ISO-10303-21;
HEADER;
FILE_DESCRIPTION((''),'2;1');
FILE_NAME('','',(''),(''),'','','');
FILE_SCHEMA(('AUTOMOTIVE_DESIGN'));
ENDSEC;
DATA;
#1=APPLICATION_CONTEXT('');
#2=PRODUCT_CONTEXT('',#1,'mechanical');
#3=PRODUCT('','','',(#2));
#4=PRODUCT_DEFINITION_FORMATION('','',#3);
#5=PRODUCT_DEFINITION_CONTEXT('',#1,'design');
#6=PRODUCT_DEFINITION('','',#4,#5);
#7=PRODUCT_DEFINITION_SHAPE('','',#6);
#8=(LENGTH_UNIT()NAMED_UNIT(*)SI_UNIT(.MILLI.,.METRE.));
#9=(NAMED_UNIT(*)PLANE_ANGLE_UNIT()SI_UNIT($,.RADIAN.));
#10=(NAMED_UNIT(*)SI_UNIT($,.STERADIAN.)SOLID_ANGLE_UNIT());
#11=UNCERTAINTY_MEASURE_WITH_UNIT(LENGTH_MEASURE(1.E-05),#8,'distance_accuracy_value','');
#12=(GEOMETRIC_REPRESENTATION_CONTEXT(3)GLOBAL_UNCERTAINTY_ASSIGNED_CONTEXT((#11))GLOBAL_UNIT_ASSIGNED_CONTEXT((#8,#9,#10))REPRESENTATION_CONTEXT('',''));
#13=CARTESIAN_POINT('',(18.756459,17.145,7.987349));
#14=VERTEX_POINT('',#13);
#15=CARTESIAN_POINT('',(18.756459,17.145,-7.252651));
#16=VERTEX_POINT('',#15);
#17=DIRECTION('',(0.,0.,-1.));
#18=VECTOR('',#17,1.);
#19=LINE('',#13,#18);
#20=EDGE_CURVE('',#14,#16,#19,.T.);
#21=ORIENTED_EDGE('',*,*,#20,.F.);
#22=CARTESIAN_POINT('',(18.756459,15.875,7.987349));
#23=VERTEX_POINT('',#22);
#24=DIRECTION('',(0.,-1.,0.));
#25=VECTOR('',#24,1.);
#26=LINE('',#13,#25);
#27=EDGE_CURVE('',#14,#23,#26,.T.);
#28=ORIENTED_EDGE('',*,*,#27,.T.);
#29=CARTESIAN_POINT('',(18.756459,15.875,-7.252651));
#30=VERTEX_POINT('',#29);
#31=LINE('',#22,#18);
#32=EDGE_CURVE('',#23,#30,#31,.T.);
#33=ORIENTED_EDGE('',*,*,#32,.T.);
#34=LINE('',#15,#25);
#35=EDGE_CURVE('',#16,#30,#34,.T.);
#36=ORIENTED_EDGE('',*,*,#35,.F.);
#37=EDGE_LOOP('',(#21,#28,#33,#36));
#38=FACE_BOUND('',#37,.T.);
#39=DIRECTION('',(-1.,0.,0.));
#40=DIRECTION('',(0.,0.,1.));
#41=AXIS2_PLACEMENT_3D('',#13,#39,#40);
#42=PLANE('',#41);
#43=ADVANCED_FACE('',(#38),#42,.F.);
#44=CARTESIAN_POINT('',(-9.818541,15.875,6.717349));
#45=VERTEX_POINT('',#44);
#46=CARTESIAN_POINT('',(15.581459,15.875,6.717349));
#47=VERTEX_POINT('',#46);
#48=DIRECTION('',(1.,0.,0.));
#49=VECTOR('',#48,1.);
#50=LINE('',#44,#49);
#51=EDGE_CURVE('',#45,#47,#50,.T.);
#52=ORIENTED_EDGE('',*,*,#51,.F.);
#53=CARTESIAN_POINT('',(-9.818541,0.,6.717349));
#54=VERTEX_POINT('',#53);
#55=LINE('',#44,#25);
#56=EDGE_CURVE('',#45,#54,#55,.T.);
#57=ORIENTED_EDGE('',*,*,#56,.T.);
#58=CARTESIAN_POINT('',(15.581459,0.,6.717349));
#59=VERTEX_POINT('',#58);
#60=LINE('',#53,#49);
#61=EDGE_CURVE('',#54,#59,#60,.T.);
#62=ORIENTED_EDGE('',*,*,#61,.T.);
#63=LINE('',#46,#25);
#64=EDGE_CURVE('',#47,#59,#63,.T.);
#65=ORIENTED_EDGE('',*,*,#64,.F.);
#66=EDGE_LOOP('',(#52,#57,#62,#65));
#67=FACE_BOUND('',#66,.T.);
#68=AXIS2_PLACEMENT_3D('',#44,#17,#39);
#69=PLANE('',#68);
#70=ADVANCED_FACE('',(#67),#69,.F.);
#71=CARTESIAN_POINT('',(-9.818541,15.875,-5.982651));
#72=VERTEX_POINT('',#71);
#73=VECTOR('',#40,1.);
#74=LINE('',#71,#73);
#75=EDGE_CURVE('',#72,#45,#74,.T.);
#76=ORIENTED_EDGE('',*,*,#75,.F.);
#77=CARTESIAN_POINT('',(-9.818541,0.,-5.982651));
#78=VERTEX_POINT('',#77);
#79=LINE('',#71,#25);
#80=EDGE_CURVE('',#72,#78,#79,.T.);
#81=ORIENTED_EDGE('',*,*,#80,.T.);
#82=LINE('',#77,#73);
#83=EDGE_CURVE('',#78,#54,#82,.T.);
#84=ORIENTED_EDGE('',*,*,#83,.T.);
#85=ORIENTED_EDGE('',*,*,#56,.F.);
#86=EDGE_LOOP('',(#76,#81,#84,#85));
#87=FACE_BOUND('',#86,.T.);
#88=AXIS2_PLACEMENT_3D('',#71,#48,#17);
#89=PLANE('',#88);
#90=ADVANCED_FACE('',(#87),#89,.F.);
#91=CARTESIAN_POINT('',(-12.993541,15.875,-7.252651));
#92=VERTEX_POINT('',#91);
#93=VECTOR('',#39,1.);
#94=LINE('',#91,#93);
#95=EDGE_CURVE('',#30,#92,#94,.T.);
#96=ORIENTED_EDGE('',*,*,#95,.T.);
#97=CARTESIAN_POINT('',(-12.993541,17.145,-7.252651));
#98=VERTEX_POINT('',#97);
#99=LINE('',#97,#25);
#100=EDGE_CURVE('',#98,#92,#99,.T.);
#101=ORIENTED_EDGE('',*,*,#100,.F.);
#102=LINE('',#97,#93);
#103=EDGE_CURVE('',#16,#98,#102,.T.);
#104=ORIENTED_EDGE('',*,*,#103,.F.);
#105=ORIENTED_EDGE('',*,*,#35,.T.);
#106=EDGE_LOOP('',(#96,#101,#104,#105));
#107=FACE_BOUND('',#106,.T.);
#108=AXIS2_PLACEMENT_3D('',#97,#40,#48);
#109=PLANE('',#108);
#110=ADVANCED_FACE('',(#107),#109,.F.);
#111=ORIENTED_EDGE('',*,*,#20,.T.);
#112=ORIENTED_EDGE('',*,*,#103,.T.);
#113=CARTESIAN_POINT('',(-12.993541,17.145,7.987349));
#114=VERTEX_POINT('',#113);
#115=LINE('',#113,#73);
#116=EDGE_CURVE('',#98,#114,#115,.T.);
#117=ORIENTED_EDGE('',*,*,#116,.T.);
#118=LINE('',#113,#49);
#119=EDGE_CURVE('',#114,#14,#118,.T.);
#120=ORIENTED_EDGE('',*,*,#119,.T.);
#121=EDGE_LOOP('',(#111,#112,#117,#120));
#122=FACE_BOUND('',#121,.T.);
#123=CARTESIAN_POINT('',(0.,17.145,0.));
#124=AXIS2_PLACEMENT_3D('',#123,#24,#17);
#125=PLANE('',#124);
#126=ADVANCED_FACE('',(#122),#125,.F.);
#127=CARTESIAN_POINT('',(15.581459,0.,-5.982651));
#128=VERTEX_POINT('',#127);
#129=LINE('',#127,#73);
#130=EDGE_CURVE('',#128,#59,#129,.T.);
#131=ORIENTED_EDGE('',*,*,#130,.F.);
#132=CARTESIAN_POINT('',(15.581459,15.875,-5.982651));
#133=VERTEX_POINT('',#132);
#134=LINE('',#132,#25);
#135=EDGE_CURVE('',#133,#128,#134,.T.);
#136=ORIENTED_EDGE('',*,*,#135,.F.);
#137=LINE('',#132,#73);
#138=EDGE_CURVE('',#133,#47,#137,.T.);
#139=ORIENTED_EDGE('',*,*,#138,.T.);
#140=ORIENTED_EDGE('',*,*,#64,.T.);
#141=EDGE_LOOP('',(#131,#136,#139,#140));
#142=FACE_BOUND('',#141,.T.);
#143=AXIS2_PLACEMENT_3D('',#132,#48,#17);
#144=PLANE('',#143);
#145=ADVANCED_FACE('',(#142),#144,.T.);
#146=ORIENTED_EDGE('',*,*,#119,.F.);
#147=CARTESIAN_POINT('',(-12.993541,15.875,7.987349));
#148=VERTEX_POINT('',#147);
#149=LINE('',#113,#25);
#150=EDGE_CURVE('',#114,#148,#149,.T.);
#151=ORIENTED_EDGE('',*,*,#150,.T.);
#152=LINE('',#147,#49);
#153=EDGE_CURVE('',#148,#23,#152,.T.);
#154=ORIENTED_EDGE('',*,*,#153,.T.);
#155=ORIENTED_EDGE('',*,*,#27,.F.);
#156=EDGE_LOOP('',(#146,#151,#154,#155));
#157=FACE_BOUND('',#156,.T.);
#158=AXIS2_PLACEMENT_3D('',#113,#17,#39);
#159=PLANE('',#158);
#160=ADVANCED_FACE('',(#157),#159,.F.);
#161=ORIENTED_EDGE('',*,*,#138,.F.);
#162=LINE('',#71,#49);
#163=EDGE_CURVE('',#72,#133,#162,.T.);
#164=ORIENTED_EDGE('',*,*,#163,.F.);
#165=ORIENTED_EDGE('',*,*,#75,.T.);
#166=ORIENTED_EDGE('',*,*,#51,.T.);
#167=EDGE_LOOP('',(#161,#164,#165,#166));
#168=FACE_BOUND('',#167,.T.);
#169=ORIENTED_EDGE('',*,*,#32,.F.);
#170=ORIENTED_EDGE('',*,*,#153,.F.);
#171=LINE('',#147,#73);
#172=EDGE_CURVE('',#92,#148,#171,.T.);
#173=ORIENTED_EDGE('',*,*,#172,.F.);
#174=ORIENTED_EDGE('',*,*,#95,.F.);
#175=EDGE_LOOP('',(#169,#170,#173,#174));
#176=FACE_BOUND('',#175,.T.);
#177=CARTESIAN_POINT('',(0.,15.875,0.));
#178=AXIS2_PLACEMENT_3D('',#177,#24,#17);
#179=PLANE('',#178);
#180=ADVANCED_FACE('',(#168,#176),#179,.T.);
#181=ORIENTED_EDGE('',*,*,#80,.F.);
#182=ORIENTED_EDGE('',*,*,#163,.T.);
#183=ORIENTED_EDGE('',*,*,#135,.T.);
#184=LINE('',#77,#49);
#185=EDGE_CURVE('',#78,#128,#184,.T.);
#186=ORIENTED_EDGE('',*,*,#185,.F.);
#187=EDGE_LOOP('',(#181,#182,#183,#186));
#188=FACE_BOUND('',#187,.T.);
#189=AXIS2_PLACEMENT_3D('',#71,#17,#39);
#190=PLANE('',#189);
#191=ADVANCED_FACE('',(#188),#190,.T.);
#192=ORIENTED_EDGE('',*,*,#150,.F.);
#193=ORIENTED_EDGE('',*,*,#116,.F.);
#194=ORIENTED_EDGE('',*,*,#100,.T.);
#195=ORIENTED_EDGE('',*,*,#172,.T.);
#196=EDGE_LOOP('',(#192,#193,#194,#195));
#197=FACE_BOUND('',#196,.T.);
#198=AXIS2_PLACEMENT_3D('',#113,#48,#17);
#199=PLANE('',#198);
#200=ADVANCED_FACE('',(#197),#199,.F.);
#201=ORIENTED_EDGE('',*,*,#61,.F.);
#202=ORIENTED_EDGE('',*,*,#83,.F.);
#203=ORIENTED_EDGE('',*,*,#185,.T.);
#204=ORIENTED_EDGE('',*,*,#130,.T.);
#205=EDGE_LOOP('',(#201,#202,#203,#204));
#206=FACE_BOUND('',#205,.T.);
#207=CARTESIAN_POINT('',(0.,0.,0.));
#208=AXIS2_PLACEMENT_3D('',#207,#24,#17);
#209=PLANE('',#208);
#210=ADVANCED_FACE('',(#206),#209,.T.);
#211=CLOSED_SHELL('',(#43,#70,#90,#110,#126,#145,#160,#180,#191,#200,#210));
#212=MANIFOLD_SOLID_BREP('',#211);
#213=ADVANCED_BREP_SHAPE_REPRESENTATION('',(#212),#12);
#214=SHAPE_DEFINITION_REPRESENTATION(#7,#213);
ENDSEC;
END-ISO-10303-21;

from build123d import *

# Parameters (mm, degrees)
SKETCH1_W           = 25.4
SKETCH1_H           = 12.7
BOSS_EXTRUDE1_DEPTH = 15.875
SKETCH2_W           = 31.75
SKETCH2_H           = 15.24
BOSS_EXTRUDE2_DEPTH = 1.27


with BuildPart() as part:
    # Sketch1 → Boss-Extrude1 (new body)
    with BuildSketch(Plane(origin=(0, 0, 0), x_dir=(1, 0, 0), z_dir=(0, 1, 0))):
        with Locations((2.881458665, -0.367349399)):
            Rectangle(SKETCH1_W, SKETCH1_H)
    extrude(amount=BOSS_EXTRUDE1_DEPTH)

    # Sketch2 → Boss-Extrude2 (add)
    with BuildSketch(Plane(origin=(0, 15.875, 0), x_dir=(1, 0, 0), z_dir=(0, 1, 0))):
        with Locations((2.881458665, -0.367349399)):
            Rectangle(SKETCH2_W, SKETCH2_H)
    extrude(amount=BOSS_EXTRUDE2_DEPTH)


solid = part.part
